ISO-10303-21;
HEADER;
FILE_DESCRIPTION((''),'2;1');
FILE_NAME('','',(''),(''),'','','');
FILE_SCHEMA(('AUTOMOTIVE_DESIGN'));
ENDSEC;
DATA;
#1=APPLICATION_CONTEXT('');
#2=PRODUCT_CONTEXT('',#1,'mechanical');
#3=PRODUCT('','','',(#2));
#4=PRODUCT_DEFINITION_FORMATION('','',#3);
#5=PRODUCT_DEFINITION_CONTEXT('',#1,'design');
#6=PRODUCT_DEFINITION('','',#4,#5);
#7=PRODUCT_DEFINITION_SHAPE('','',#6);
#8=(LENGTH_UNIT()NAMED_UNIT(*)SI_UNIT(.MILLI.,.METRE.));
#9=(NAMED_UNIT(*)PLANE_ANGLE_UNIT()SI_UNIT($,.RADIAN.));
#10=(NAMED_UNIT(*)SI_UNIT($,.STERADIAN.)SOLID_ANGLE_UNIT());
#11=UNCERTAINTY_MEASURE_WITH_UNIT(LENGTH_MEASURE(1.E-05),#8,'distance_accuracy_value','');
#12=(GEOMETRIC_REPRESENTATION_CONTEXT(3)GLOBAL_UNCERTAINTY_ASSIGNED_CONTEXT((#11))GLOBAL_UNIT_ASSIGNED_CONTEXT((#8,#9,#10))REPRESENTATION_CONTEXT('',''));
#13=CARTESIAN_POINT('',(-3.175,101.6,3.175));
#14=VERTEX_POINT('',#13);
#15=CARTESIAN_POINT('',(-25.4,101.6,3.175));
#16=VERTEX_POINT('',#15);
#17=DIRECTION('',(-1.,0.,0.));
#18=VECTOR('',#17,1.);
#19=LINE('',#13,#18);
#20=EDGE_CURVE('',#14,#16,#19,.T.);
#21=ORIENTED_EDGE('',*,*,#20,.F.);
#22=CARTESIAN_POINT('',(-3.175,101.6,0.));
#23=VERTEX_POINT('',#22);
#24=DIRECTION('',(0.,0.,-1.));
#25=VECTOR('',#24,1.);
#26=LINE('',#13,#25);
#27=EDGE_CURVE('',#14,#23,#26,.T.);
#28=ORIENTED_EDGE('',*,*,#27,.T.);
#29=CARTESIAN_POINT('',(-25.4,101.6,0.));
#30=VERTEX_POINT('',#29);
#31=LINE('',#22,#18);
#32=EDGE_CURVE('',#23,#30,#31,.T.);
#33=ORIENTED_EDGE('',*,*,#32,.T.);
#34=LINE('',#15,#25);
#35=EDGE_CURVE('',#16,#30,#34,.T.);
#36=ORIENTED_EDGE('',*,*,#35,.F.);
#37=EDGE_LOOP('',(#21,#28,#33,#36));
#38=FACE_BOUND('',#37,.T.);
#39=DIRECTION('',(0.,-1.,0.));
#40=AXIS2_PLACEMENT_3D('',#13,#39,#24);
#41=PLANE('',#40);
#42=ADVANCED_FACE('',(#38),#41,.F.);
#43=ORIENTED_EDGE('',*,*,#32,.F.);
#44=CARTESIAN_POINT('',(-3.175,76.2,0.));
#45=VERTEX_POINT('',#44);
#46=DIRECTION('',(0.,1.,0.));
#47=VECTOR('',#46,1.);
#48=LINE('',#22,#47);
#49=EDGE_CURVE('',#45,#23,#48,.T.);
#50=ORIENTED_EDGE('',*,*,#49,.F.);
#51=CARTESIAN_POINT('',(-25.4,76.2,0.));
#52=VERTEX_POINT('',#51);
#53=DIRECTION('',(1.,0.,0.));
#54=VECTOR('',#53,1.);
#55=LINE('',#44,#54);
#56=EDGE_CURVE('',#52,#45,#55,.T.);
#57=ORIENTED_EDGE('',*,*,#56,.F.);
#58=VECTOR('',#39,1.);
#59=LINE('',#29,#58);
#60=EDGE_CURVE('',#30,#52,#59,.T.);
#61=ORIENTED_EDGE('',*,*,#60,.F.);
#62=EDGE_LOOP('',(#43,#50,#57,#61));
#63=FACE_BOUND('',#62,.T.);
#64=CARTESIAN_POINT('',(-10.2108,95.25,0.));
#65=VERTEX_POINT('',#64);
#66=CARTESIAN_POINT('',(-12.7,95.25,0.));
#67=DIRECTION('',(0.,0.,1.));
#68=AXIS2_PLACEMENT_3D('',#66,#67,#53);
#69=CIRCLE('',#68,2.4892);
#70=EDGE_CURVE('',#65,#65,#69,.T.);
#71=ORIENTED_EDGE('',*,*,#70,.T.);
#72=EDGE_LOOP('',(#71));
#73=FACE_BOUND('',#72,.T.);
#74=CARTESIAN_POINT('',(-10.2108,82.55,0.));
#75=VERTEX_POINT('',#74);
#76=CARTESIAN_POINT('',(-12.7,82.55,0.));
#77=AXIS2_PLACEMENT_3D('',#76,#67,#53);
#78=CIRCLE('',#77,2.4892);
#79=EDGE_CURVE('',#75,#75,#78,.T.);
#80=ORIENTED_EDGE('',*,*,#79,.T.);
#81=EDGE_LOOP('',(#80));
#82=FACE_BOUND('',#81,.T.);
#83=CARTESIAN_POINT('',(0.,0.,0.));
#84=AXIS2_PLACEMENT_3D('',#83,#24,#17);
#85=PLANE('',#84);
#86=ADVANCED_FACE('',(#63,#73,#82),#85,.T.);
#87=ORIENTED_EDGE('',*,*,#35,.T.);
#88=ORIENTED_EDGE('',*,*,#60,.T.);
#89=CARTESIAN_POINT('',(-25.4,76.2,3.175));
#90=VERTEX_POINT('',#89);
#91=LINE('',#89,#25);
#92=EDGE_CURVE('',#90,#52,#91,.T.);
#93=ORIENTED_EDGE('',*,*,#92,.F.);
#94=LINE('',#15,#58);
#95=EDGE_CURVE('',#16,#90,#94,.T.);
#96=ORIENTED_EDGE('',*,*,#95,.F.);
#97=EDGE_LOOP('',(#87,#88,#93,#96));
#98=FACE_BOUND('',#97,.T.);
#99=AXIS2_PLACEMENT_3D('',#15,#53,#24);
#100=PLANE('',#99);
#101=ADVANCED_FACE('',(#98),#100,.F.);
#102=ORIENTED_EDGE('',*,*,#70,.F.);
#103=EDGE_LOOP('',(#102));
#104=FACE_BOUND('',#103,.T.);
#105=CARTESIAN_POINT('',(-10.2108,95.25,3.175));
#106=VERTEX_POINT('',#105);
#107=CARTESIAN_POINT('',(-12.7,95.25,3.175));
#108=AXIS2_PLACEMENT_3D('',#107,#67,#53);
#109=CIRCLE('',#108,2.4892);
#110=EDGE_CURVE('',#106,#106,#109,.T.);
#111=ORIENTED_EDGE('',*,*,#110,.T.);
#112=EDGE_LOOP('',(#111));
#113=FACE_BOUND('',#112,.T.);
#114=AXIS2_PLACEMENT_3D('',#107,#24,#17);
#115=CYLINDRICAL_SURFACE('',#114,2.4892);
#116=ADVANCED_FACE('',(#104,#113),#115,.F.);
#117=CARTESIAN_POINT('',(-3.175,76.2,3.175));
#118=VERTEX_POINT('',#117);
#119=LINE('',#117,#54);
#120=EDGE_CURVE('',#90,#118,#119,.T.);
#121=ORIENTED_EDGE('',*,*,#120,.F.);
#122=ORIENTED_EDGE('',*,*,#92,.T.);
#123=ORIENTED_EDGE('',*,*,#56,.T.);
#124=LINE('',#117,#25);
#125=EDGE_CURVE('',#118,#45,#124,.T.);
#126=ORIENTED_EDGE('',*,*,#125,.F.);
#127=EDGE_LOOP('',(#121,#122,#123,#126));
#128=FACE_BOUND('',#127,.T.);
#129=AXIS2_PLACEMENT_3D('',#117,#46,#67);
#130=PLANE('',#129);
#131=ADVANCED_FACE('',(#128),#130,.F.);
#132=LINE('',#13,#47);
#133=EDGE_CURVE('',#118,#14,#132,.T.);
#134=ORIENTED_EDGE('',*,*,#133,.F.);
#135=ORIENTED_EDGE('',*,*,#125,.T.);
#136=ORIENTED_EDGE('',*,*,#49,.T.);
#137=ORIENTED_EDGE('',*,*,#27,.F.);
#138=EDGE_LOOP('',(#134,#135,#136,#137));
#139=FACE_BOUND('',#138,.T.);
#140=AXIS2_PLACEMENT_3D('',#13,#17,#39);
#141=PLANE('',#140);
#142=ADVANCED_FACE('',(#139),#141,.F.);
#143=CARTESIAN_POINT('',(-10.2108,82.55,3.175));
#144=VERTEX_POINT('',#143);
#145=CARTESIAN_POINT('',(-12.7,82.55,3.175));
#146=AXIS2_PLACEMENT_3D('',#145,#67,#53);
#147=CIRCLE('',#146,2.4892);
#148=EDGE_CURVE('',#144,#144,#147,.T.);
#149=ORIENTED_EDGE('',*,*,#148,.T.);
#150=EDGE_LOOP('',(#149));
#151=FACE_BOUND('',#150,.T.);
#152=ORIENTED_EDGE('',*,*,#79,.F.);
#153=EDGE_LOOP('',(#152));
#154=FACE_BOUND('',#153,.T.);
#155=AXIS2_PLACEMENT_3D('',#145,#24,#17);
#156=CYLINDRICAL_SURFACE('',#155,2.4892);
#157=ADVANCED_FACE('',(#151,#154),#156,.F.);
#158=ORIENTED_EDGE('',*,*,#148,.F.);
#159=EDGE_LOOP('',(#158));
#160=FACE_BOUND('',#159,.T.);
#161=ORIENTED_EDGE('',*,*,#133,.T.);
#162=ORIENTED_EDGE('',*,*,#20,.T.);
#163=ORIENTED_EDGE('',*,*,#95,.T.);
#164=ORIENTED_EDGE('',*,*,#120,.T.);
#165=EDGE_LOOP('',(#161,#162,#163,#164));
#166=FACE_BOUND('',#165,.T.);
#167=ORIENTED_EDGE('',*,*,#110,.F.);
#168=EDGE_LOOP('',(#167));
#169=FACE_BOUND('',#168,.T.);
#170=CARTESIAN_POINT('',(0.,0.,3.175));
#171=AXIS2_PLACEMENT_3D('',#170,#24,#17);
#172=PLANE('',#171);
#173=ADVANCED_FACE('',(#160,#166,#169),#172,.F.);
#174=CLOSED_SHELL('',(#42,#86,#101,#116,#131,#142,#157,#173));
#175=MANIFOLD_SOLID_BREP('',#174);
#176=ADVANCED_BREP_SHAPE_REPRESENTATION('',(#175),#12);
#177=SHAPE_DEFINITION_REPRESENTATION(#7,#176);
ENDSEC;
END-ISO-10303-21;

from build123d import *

# Parameters (mm, degrees)
SKETCH1_W           = 22.225
SKETCH1_H           = 25.4
SKETCH1_R           = 2.4892
BOSS_EXTRUDE1_DEPTH = 3.175


with BuildPart() as part:
    # Sketch1 → Boss-Extrude1 (new body)
    with BuildSketch(Plane.XY):
        with Locations((-14.2875, 88.9)):
            Rectangle(SKETCH1_W, SKETCH1_H)
        with Locations((-12.7, 82.55)):
            Circle(SKETCH1_R, mode=Mode.SUBTRACT)
        with Locations((-12.7, 95.25)):
            Circle(SKETCH1_R, mode=Mode.SUBTRACT)
    extrude(amount=BOSS_EXTRUDE1_DEPTH)


solid = part.part
